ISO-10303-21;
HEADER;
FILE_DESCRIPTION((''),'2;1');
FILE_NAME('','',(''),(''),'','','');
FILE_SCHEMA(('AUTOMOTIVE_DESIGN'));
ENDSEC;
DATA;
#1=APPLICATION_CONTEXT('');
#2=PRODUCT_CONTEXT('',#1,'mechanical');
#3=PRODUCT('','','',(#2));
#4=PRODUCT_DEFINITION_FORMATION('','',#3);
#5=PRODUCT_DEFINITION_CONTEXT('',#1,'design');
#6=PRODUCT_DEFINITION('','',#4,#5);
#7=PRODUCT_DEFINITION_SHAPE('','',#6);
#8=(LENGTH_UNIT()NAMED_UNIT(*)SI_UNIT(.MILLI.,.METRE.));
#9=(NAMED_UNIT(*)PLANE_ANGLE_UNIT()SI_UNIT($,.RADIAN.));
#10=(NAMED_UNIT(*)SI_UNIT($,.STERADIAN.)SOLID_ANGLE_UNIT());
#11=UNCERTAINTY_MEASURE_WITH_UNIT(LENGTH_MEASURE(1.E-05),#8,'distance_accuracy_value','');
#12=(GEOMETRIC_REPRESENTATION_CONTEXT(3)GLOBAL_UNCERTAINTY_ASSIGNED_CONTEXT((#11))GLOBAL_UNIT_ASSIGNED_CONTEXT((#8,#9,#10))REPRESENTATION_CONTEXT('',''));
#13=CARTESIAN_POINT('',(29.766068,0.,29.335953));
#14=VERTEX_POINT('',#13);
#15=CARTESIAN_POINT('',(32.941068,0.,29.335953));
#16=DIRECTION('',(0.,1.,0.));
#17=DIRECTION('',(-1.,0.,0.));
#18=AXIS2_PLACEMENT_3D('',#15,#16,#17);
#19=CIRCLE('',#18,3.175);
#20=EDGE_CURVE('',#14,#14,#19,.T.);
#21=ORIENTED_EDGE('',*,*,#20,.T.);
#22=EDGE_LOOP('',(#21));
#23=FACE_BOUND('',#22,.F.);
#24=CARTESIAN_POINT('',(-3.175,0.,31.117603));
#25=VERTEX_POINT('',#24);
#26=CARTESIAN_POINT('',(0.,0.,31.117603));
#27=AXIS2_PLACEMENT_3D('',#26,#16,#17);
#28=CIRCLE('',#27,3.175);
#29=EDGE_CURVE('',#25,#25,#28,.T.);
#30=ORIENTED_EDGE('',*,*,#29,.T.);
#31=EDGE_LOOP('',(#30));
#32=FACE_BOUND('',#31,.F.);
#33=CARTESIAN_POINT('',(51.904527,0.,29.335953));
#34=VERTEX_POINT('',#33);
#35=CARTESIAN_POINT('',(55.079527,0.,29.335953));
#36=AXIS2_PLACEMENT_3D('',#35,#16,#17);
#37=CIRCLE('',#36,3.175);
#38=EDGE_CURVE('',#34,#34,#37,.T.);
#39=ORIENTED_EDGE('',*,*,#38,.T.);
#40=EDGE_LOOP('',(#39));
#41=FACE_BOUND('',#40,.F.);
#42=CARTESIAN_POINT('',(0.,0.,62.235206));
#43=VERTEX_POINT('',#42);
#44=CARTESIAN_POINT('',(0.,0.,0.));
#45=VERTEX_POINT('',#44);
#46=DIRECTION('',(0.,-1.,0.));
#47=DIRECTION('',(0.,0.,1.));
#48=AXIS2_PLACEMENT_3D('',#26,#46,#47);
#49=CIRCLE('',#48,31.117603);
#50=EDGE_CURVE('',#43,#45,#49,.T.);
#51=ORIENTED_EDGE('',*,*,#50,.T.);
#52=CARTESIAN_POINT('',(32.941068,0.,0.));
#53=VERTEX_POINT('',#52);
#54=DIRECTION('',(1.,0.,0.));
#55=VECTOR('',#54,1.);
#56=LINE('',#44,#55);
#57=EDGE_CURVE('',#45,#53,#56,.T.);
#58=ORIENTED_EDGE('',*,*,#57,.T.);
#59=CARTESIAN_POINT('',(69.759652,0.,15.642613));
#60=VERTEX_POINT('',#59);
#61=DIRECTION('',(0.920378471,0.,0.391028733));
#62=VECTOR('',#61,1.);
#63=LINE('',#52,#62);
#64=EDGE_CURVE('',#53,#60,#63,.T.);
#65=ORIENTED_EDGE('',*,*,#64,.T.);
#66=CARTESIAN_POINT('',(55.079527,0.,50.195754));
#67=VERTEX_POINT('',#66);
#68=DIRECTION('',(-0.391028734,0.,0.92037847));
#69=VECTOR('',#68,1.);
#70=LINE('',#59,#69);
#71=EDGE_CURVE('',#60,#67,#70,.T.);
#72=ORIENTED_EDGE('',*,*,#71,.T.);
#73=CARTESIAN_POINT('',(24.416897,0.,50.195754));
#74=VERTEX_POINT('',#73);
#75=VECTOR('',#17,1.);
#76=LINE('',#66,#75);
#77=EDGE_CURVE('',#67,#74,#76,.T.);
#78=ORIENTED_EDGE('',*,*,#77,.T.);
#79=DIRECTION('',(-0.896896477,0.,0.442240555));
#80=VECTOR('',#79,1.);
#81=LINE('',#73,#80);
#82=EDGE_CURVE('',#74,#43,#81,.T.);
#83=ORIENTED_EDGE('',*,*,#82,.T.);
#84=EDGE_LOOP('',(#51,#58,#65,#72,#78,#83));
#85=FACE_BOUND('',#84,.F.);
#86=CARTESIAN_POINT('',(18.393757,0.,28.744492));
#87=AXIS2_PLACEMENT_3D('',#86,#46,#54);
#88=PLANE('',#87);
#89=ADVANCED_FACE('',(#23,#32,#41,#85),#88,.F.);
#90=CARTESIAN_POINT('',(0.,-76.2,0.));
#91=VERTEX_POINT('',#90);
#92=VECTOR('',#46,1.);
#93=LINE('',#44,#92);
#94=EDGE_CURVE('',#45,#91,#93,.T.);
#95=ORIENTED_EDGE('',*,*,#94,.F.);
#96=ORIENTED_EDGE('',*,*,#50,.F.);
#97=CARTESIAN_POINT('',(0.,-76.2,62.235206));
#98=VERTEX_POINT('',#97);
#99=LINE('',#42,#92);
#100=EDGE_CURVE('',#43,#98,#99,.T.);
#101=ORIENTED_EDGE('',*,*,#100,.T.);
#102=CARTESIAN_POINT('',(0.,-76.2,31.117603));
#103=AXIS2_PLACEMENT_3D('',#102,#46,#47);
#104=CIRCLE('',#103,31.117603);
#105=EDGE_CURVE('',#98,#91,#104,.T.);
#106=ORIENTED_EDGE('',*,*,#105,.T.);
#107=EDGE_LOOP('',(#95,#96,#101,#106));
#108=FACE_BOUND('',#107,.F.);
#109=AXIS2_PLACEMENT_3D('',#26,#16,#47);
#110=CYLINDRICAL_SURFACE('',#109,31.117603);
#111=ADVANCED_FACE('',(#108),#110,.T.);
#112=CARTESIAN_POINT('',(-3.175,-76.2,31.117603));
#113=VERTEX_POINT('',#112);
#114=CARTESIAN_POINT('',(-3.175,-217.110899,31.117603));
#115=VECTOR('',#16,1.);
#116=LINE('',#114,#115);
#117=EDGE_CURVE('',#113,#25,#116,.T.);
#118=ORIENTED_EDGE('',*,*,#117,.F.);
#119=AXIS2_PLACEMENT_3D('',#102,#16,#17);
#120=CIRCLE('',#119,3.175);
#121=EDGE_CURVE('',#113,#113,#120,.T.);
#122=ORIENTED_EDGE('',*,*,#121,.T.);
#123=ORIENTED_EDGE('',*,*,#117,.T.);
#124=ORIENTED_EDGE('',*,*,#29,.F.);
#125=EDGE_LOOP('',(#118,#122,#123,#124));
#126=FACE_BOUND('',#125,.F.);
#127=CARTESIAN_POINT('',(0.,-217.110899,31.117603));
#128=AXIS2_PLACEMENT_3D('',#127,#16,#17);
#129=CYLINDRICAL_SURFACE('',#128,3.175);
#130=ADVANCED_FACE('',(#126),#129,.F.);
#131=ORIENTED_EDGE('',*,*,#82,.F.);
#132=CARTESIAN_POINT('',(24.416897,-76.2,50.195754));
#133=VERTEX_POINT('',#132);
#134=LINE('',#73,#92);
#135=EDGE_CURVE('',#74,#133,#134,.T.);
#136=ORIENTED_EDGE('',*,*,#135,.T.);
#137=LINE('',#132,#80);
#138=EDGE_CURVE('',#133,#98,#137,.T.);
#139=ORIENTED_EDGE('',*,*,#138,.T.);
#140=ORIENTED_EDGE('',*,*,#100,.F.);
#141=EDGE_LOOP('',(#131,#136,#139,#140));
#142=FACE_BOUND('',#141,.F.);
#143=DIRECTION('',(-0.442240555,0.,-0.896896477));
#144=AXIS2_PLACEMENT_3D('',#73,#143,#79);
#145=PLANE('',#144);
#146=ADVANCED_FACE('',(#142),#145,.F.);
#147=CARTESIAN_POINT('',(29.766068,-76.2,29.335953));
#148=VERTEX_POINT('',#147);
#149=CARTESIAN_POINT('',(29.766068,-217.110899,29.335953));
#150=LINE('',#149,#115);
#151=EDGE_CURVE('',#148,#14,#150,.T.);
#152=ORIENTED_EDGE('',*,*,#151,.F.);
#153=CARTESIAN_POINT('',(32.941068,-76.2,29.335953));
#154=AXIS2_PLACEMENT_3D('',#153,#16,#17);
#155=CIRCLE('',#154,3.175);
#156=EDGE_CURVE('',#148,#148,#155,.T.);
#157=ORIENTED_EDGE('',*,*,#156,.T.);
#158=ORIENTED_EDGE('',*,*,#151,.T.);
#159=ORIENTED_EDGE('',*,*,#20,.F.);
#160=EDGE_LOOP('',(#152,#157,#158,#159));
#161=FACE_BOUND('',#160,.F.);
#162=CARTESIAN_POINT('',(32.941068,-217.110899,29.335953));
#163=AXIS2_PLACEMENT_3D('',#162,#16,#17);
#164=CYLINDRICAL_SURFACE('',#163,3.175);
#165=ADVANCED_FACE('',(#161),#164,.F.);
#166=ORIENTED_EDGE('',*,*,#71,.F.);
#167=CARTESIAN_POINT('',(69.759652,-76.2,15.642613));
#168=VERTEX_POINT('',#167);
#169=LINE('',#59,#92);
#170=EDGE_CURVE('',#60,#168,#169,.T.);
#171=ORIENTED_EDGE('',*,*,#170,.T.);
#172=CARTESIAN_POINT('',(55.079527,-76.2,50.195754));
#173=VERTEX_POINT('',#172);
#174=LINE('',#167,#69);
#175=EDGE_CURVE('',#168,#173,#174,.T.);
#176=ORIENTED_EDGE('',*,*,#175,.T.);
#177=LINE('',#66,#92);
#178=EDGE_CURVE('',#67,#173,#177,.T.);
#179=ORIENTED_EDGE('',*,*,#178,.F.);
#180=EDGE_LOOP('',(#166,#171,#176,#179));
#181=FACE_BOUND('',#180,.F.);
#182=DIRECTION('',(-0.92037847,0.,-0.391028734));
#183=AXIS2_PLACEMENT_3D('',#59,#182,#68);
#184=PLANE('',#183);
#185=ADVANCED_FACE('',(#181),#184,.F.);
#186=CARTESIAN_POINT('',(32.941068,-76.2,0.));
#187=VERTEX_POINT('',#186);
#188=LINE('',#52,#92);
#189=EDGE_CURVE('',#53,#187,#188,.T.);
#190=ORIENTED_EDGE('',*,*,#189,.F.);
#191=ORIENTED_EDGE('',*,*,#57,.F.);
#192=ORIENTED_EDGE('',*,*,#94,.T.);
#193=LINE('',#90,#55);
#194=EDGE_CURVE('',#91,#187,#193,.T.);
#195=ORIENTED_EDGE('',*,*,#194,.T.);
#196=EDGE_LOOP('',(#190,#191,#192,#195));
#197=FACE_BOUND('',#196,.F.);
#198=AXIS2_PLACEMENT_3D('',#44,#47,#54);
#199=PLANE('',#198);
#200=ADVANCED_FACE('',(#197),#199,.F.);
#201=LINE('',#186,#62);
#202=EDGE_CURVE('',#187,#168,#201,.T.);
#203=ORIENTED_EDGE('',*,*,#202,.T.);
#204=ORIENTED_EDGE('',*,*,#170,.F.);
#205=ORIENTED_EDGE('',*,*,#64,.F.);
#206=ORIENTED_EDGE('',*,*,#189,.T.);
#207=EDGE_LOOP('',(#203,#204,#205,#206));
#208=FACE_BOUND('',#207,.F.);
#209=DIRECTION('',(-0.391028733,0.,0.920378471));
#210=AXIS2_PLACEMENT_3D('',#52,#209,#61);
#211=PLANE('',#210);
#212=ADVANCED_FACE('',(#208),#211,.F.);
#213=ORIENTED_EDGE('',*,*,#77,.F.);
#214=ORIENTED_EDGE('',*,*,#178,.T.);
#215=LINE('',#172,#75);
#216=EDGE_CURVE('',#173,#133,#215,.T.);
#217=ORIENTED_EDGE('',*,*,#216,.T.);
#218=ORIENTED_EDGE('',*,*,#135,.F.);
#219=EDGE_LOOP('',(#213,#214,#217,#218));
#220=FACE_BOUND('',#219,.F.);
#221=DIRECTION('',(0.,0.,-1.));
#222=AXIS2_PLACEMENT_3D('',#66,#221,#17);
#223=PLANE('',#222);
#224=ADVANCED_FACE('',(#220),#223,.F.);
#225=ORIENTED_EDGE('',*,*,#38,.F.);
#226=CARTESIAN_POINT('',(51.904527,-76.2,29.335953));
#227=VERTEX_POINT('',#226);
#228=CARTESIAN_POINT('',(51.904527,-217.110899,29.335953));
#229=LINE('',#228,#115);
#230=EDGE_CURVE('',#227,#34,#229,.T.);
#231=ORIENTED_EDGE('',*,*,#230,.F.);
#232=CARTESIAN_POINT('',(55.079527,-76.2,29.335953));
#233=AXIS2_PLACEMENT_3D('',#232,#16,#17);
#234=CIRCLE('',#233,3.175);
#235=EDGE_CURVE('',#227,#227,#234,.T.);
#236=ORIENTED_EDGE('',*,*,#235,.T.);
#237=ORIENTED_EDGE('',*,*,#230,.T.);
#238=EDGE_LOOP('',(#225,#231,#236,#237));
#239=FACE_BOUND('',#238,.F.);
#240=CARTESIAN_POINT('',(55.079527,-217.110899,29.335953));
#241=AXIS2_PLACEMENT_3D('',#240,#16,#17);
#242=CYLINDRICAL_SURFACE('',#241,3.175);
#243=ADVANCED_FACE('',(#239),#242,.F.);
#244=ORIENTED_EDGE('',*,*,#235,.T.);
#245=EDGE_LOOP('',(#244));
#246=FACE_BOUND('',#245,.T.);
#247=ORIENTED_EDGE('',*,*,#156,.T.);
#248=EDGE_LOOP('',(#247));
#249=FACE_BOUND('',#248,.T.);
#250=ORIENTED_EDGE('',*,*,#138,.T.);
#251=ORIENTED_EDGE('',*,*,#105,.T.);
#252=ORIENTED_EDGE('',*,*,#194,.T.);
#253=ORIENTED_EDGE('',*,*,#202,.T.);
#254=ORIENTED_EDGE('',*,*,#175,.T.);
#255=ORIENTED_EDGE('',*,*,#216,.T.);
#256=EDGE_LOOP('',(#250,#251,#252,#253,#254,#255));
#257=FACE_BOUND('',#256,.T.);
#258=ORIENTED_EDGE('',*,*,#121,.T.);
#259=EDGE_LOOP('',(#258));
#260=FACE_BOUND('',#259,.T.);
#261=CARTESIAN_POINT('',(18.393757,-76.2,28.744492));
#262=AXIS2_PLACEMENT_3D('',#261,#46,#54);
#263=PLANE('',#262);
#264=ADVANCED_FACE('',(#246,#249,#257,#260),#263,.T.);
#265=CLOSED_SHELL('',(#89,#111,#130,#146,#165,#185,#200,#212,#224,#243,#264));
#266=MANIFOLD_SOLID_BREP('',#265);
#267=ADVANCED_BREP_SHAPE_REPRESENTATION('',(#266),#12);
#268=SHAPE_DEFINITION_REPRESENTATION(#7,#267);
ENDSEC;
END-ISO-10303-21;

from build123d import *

# Parameters (mm, degrees)
F1_DEPTH = 76.2
F3_D     = 6.35


with BuildPart() as f1:
    # F0 (on Front) → F1 (new body)
    with BuildSketch(Plane.XZ):
        with BuildLine():
            Line((24.416897, 50.195754), (0, 62.235206))
            ThreePointArc((0, 62.235206), (-31.117603, 31.117603), (0, 0))
            Line((0, 0), (32.941068, 0))
            Line((32.941068, 0), (69.759652, 15.642613))
            Line((69.759652, 15.642613), (55.079527, 50.195754))
            Line((55.079527, 50.195754), (24.416897, 50.195754))
        make_face()
    extrude(amount=F1_DEPTH)

    # F3 (through all)
    with Locations(Plane.XZ.offset(76.2)):
        with Locations((32.941068, 29.335953), (55.079527, 29.335953), (0, 31.117603)):
            Hole(F3_D / 2)


solid = f1.part
